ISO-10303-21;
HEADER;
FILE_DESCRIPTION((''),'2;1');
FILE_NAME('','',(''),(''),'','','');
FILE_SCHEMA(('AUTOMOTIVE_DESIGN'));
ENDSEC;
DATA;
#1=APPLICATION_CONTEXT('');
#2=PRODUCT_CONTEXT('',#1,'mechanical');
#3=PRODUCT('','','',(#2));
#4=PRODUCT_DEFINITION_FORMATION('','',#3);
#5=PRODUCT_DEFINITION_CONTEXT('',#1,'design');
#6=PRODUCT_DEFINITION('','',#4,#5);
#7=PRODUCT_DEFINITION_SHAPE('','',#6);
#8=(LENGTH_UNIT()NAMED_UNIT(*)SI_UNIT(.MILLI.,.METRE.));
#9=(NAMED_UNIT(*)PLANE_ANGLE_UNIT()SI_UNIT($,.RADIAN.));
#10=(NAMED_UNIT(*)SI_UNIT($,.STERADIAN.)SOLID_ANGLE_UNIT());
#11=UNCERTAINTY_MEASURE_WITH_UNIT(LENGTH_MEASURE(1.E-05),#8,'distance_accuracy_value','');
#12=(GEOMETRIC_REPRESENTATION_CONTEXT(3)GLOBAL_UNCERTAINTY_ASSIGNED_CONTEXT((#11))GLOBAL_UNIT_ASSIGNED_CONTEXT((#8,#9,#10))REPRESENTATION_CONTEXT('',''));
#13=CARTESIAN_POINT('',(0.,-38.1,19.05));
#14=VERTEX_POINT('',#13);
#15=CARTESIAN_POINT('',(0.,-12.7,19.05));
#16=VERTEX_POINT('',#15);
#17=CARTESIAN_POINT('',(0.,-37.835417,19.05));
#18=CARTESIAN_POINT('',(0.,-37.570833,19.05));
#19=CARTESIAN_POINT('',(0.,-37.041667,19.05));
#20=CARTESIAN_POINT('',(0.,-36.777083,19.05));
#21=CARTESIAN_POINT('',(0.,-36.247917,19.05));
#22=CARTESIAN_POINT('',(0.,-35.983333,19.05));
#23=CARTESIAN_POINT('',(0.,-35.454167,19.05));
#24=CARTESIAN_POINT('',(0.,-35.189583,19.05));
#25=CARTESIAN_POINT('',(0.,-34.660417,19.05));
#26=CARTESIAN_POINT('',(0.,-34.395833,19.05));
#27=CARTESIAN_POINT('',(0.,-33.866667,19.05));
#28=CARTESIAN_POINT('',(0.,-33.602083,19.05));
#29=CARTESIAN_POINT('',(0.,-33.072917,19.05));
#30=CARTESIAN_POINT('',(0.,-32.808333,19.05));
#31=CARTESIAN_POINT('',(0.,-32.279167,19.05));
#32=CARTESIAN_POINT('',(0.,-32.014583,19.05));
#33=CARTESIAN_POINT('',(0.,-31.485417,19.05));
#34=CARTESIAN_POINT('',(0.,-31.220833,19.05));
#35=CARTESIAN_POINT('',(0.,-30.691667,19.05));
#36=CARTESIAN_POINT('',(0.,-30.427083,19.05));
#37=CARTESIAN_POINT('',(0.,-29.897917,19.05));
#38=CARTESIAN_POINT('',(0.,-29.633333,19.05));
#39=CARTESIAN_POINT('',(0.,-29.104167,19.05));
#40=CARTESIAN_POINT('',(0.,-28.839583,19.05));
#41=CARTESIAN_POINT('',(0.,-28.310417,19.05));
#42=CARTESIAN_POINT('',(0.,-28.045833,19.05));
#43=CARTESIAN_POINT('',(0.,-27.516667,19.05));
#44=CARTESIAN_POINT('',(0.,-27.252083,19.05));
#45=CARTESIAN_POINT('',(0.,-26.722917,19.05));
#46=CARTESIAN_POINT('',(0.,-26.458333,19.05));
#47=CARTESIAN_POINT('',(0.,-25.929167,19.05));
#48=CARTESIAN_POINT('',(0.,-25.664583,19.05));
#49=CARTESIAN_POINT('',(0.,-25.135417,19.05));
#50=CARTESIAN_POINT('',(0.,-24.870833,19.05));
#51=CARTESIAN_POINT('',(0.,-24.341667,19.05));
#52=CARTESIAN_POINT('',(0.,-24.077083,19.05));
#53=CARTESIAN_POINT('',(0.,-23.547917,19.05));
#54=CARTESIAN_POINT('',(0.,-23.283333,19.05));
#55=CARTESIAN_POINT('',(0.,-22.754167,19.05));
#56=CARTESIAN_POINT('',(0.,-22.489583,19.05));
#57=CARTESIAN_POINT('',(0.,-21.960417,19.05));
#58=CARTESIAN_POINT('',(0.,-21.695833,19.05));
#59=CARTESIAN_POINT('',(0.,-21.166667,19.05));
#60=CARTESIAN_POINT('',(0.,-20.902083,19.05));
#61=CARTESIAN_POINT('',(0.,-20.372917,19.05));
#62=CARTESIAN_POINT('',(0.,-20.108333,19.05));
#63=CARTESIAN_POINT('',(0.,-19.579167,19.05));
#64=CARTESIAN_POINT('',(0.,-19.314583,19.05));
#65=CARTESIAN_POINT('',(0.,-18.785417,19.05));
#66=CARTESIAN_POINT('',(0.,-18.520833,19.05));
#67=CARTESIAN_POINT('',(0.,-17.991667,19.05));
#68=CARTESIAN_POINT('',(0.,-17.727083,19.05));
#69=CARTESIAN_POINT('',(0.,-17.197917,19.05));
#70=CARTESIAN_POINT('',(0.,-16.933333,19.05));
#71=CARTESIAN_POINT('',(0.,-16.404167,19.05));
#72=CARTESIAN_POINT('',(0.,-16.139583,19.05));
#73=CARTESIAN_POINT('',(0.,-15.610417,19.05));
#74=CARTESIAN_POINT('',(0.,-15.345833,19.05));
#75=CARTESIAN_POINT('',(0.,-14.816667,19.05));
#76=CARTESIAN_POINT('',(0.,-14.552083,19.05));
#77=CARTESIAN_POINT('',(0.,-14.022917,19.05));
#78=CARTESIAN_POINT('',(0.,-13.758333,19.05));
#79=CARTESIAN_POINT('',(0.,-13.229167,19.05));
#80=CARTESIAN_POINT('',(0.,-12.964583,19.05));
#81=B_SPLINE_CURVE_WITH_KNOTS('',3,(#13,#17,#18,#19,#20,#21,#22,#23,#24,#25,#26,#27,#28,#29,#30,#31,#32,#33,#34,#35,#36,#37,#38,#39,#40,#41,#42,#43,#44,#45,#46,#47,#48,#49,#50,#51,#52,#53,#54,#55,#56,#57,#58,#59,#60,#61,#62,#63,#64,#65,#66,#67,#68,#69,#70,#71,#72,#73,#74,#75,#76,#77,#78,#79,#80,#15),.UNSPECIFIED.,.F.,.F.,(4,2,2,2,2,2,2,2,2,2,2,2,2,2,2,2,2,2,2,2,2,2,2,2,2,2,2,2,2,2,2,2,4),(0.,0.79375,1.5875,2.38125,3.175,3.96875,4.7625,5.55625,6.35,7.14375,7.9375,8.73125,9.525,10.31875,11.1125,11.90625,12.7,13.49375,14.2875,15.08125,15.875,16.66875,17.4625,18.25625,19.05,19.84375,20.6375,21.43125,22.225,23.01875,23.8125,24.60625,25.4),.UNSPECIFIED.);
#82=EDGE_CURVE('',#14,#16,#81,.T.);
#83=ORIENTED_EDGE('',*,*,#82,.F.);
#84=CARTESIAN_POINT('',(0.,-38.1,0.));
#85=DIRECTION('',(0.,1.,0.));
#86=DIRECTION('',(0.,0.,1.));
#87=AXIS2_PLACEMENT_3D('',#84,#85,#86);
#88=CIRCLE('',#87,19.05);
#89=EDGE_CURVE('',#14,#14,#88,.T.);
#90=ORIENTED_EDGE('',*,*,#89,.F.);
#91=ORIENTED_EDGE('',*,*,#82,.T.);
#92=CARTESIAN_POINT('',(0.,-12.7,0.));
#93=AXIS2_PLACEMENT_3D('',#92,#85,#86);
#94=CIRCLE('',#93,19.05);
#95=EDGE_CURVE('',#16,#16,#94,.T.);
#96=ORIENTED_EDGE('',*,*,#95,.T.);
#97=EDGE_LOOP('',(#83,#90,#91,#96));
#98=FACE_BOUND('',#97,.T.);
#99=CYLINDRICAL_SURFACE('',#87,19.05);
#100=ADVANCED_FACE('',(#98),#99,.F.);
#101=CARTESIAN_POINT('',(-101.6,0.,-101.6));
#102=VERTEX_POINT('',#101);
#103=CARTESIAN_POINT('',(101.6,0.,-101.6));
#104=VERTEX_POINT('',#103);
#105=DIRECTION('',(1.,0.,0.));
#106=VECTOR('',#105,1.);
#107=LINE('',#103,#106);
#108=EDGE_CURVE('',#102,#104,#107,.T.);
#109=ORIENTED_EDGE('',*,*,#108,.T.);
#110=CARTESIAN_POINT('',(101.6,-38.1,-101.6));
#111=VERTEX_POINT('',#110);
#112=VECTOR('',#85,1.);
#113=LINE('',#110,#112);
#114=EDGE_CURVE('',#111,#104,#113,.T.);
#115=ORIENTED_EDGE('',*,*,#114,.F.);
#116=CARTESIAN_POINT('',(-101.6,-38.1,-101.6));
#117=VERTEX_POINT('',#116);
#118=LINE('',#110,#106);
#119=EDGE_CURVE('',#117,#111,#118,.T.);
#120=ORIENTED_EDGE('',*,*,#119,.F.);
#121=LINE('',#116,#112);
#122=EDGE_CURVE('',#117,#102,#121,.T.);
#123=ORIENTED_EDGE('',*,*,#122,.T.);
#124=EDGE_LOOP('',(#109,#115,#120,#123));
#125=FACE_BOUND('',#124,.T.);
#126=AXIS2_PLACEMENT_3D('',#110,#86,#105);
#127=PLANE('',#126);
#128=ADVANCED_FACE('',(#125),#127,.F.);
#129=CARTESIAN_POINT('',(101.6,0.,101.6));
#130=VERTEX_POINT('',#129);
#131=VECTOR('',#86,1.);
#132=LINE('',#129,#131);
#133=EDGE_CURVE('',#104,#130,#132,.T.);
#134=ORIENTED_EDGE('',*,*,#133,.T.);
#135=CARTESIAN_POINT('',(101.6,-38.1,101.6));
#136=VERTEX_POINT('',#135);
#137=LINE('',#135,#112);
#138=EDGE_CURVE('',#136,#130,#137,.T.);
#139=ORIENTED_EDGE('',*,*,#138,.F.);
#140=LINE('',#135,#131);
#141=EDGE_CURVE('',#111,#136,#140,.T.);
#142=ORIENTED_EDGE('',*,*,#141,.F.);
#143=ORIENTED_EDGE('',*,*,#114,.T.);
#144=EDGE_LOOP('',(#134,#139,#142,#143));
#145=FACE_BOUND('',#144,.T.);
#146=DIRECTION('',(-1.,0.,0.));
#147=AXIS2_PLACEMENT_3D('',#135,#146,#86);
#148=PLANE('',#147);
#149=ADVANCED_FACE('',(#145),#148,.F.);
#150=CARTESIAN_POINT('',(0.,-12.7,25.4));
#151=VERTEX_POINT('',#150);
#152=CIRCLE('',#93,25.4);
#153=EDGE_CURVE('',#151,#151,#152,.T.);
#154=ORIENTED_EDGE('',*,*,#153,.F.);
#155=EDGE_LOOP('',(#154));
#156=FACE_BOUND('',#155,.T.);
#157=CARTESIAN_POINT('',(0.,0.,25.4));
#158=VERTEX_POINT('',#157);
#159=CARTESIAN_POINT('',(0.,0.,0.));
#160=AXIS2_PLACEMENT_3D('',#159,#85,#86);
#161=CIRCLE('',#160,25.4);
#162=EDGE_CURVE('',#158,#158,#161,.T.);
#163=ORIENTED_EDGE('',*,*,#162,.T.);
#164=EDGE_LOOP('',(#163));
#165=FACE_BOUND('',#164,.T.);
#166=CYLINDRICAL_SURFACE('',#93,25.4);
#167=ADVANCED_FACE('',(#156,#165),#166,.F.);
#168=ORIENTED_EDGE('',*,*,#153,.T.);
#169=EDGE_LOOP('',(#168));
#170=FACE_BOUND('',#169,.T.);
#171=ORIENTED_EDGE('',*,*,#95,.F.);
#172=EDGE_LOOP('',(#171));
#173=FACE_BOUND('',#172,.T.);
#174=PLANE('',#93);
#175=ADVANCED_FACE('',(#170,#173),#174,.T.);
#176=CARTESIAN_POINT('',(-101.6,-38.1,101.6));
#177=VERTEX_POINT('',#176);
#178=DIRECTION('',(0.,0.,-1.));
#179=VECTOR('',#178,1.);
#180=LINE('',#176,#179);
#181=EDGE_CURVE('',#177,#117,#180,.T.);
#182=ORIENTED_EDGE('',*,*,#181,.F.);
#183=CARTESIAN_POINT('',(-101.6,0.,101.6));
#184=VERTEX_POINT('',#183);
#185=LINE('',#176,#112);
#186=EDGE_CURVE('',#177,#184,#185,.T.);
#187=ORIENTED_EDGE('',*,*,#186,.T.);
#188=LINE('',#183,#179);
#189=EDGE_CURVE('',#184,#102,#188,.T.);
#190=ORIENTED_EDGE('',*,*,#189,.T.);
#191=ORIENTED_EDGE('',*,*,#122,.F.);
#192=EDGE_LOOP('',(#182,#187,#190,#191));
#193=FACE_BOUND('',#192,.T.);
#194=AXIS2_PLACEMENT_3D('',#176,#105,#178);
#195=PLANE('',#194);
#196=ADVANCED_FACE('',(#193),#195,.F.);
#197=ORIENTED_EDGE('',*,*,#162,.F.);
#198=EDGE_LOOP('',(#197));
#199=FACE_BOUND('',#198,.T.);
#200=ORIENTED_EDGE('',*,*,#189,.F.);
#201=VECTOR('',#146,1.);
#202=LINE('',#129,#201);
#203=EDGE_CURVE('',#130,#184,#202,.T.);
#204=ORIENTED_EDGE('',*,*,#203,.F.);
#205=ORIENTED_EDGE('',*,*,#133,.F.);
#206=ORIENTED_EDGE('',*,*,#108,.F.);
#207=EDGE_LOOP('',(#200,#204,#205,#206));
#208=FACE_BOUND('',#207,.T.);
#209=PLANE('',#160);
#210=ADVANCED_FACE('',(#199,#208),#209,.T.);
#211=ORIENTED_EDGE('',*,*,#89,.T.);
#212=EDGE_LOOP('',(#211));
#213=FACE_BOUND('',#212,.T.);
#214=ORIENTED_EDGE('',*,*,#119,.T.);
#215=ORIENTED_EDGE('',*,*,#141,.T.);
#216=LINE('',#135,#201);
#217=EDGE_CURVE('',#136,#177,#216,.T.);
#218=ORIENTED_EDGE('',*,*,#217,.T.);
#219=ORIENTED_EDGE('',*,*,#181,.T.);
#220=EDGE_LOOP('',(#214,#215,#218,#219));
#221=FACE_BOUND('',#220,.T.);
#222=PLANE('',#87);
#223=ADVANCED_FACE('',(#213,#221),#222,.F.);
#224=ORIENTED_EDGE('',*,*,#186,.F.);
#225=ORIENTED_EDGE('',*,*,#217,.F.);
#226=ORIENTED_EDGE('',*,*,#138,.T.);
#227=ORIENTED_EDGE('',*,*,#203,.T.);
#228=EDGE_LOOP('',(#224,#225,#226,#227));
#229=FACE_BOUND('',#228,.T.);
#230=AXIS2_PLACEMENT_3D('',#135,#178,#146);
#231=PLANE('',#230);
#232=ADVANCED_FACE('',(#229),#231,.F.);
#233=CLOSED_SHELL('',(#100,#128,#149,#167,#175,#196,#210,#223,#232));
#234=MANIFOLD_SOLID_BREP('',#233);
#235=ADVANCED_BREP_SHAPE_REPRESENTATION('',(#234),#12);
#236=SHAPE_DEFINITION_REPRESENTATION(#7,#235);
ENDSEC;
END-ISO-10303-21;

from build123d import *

# Parameters (mm, degrees)
SKETCH1_W           = 203.2
SKETCH1_H           = 203.2
BOSS_EXTRUDE1_DEPTH = 38.1
SKETCH2_R           = 25.4
CUT_EXTRUDE1_DEPTH  = 12.7
SKETCH3_R           = 19.05
CUT_EXTRUDE2_DEPTH  = 146.911891222


with BuildPart() as part:
    # Sketch1 → Boss-Extrude1 (new body)
    with BuildSketch(Plane.XZ):
        Rectangle(SKETCH1_W, SKETCH1_H)
    extrude(amount=BOSS_EXTRUDE1_DEPTH)

    # Sketch2 → Cut-Extrude1 (cut)
    with BuildSketch(Plane(origin=(0, 0, 0), x_dir=(1, 0, 0), z_dir=(0, 1, 0))):
        with Locations(Location((0, 0, 0), (0, 0, 270))):
            Circle(SKETCH2_R)
    extrude(amount=-CUT_EXTRUDE1_DEPTH, mode=Mode.SUBTRACT)

    # Sketch3 → Cut-Extrude2 (cut, through all)
    with BuildSketch(Plane(origin=(0, -12.7, 0), x_dir=(1, 0, 0), z_dir=(0, 1, 0))):
        with Locations(Location((0, 0, 0), (0, 0, 270))):
            Circle(SKETCH3_R)
    extrude(amount=-CUT_EXTRUDE2_DEPTH, mode=Mode.SUBTRACT)


solid = part.part
